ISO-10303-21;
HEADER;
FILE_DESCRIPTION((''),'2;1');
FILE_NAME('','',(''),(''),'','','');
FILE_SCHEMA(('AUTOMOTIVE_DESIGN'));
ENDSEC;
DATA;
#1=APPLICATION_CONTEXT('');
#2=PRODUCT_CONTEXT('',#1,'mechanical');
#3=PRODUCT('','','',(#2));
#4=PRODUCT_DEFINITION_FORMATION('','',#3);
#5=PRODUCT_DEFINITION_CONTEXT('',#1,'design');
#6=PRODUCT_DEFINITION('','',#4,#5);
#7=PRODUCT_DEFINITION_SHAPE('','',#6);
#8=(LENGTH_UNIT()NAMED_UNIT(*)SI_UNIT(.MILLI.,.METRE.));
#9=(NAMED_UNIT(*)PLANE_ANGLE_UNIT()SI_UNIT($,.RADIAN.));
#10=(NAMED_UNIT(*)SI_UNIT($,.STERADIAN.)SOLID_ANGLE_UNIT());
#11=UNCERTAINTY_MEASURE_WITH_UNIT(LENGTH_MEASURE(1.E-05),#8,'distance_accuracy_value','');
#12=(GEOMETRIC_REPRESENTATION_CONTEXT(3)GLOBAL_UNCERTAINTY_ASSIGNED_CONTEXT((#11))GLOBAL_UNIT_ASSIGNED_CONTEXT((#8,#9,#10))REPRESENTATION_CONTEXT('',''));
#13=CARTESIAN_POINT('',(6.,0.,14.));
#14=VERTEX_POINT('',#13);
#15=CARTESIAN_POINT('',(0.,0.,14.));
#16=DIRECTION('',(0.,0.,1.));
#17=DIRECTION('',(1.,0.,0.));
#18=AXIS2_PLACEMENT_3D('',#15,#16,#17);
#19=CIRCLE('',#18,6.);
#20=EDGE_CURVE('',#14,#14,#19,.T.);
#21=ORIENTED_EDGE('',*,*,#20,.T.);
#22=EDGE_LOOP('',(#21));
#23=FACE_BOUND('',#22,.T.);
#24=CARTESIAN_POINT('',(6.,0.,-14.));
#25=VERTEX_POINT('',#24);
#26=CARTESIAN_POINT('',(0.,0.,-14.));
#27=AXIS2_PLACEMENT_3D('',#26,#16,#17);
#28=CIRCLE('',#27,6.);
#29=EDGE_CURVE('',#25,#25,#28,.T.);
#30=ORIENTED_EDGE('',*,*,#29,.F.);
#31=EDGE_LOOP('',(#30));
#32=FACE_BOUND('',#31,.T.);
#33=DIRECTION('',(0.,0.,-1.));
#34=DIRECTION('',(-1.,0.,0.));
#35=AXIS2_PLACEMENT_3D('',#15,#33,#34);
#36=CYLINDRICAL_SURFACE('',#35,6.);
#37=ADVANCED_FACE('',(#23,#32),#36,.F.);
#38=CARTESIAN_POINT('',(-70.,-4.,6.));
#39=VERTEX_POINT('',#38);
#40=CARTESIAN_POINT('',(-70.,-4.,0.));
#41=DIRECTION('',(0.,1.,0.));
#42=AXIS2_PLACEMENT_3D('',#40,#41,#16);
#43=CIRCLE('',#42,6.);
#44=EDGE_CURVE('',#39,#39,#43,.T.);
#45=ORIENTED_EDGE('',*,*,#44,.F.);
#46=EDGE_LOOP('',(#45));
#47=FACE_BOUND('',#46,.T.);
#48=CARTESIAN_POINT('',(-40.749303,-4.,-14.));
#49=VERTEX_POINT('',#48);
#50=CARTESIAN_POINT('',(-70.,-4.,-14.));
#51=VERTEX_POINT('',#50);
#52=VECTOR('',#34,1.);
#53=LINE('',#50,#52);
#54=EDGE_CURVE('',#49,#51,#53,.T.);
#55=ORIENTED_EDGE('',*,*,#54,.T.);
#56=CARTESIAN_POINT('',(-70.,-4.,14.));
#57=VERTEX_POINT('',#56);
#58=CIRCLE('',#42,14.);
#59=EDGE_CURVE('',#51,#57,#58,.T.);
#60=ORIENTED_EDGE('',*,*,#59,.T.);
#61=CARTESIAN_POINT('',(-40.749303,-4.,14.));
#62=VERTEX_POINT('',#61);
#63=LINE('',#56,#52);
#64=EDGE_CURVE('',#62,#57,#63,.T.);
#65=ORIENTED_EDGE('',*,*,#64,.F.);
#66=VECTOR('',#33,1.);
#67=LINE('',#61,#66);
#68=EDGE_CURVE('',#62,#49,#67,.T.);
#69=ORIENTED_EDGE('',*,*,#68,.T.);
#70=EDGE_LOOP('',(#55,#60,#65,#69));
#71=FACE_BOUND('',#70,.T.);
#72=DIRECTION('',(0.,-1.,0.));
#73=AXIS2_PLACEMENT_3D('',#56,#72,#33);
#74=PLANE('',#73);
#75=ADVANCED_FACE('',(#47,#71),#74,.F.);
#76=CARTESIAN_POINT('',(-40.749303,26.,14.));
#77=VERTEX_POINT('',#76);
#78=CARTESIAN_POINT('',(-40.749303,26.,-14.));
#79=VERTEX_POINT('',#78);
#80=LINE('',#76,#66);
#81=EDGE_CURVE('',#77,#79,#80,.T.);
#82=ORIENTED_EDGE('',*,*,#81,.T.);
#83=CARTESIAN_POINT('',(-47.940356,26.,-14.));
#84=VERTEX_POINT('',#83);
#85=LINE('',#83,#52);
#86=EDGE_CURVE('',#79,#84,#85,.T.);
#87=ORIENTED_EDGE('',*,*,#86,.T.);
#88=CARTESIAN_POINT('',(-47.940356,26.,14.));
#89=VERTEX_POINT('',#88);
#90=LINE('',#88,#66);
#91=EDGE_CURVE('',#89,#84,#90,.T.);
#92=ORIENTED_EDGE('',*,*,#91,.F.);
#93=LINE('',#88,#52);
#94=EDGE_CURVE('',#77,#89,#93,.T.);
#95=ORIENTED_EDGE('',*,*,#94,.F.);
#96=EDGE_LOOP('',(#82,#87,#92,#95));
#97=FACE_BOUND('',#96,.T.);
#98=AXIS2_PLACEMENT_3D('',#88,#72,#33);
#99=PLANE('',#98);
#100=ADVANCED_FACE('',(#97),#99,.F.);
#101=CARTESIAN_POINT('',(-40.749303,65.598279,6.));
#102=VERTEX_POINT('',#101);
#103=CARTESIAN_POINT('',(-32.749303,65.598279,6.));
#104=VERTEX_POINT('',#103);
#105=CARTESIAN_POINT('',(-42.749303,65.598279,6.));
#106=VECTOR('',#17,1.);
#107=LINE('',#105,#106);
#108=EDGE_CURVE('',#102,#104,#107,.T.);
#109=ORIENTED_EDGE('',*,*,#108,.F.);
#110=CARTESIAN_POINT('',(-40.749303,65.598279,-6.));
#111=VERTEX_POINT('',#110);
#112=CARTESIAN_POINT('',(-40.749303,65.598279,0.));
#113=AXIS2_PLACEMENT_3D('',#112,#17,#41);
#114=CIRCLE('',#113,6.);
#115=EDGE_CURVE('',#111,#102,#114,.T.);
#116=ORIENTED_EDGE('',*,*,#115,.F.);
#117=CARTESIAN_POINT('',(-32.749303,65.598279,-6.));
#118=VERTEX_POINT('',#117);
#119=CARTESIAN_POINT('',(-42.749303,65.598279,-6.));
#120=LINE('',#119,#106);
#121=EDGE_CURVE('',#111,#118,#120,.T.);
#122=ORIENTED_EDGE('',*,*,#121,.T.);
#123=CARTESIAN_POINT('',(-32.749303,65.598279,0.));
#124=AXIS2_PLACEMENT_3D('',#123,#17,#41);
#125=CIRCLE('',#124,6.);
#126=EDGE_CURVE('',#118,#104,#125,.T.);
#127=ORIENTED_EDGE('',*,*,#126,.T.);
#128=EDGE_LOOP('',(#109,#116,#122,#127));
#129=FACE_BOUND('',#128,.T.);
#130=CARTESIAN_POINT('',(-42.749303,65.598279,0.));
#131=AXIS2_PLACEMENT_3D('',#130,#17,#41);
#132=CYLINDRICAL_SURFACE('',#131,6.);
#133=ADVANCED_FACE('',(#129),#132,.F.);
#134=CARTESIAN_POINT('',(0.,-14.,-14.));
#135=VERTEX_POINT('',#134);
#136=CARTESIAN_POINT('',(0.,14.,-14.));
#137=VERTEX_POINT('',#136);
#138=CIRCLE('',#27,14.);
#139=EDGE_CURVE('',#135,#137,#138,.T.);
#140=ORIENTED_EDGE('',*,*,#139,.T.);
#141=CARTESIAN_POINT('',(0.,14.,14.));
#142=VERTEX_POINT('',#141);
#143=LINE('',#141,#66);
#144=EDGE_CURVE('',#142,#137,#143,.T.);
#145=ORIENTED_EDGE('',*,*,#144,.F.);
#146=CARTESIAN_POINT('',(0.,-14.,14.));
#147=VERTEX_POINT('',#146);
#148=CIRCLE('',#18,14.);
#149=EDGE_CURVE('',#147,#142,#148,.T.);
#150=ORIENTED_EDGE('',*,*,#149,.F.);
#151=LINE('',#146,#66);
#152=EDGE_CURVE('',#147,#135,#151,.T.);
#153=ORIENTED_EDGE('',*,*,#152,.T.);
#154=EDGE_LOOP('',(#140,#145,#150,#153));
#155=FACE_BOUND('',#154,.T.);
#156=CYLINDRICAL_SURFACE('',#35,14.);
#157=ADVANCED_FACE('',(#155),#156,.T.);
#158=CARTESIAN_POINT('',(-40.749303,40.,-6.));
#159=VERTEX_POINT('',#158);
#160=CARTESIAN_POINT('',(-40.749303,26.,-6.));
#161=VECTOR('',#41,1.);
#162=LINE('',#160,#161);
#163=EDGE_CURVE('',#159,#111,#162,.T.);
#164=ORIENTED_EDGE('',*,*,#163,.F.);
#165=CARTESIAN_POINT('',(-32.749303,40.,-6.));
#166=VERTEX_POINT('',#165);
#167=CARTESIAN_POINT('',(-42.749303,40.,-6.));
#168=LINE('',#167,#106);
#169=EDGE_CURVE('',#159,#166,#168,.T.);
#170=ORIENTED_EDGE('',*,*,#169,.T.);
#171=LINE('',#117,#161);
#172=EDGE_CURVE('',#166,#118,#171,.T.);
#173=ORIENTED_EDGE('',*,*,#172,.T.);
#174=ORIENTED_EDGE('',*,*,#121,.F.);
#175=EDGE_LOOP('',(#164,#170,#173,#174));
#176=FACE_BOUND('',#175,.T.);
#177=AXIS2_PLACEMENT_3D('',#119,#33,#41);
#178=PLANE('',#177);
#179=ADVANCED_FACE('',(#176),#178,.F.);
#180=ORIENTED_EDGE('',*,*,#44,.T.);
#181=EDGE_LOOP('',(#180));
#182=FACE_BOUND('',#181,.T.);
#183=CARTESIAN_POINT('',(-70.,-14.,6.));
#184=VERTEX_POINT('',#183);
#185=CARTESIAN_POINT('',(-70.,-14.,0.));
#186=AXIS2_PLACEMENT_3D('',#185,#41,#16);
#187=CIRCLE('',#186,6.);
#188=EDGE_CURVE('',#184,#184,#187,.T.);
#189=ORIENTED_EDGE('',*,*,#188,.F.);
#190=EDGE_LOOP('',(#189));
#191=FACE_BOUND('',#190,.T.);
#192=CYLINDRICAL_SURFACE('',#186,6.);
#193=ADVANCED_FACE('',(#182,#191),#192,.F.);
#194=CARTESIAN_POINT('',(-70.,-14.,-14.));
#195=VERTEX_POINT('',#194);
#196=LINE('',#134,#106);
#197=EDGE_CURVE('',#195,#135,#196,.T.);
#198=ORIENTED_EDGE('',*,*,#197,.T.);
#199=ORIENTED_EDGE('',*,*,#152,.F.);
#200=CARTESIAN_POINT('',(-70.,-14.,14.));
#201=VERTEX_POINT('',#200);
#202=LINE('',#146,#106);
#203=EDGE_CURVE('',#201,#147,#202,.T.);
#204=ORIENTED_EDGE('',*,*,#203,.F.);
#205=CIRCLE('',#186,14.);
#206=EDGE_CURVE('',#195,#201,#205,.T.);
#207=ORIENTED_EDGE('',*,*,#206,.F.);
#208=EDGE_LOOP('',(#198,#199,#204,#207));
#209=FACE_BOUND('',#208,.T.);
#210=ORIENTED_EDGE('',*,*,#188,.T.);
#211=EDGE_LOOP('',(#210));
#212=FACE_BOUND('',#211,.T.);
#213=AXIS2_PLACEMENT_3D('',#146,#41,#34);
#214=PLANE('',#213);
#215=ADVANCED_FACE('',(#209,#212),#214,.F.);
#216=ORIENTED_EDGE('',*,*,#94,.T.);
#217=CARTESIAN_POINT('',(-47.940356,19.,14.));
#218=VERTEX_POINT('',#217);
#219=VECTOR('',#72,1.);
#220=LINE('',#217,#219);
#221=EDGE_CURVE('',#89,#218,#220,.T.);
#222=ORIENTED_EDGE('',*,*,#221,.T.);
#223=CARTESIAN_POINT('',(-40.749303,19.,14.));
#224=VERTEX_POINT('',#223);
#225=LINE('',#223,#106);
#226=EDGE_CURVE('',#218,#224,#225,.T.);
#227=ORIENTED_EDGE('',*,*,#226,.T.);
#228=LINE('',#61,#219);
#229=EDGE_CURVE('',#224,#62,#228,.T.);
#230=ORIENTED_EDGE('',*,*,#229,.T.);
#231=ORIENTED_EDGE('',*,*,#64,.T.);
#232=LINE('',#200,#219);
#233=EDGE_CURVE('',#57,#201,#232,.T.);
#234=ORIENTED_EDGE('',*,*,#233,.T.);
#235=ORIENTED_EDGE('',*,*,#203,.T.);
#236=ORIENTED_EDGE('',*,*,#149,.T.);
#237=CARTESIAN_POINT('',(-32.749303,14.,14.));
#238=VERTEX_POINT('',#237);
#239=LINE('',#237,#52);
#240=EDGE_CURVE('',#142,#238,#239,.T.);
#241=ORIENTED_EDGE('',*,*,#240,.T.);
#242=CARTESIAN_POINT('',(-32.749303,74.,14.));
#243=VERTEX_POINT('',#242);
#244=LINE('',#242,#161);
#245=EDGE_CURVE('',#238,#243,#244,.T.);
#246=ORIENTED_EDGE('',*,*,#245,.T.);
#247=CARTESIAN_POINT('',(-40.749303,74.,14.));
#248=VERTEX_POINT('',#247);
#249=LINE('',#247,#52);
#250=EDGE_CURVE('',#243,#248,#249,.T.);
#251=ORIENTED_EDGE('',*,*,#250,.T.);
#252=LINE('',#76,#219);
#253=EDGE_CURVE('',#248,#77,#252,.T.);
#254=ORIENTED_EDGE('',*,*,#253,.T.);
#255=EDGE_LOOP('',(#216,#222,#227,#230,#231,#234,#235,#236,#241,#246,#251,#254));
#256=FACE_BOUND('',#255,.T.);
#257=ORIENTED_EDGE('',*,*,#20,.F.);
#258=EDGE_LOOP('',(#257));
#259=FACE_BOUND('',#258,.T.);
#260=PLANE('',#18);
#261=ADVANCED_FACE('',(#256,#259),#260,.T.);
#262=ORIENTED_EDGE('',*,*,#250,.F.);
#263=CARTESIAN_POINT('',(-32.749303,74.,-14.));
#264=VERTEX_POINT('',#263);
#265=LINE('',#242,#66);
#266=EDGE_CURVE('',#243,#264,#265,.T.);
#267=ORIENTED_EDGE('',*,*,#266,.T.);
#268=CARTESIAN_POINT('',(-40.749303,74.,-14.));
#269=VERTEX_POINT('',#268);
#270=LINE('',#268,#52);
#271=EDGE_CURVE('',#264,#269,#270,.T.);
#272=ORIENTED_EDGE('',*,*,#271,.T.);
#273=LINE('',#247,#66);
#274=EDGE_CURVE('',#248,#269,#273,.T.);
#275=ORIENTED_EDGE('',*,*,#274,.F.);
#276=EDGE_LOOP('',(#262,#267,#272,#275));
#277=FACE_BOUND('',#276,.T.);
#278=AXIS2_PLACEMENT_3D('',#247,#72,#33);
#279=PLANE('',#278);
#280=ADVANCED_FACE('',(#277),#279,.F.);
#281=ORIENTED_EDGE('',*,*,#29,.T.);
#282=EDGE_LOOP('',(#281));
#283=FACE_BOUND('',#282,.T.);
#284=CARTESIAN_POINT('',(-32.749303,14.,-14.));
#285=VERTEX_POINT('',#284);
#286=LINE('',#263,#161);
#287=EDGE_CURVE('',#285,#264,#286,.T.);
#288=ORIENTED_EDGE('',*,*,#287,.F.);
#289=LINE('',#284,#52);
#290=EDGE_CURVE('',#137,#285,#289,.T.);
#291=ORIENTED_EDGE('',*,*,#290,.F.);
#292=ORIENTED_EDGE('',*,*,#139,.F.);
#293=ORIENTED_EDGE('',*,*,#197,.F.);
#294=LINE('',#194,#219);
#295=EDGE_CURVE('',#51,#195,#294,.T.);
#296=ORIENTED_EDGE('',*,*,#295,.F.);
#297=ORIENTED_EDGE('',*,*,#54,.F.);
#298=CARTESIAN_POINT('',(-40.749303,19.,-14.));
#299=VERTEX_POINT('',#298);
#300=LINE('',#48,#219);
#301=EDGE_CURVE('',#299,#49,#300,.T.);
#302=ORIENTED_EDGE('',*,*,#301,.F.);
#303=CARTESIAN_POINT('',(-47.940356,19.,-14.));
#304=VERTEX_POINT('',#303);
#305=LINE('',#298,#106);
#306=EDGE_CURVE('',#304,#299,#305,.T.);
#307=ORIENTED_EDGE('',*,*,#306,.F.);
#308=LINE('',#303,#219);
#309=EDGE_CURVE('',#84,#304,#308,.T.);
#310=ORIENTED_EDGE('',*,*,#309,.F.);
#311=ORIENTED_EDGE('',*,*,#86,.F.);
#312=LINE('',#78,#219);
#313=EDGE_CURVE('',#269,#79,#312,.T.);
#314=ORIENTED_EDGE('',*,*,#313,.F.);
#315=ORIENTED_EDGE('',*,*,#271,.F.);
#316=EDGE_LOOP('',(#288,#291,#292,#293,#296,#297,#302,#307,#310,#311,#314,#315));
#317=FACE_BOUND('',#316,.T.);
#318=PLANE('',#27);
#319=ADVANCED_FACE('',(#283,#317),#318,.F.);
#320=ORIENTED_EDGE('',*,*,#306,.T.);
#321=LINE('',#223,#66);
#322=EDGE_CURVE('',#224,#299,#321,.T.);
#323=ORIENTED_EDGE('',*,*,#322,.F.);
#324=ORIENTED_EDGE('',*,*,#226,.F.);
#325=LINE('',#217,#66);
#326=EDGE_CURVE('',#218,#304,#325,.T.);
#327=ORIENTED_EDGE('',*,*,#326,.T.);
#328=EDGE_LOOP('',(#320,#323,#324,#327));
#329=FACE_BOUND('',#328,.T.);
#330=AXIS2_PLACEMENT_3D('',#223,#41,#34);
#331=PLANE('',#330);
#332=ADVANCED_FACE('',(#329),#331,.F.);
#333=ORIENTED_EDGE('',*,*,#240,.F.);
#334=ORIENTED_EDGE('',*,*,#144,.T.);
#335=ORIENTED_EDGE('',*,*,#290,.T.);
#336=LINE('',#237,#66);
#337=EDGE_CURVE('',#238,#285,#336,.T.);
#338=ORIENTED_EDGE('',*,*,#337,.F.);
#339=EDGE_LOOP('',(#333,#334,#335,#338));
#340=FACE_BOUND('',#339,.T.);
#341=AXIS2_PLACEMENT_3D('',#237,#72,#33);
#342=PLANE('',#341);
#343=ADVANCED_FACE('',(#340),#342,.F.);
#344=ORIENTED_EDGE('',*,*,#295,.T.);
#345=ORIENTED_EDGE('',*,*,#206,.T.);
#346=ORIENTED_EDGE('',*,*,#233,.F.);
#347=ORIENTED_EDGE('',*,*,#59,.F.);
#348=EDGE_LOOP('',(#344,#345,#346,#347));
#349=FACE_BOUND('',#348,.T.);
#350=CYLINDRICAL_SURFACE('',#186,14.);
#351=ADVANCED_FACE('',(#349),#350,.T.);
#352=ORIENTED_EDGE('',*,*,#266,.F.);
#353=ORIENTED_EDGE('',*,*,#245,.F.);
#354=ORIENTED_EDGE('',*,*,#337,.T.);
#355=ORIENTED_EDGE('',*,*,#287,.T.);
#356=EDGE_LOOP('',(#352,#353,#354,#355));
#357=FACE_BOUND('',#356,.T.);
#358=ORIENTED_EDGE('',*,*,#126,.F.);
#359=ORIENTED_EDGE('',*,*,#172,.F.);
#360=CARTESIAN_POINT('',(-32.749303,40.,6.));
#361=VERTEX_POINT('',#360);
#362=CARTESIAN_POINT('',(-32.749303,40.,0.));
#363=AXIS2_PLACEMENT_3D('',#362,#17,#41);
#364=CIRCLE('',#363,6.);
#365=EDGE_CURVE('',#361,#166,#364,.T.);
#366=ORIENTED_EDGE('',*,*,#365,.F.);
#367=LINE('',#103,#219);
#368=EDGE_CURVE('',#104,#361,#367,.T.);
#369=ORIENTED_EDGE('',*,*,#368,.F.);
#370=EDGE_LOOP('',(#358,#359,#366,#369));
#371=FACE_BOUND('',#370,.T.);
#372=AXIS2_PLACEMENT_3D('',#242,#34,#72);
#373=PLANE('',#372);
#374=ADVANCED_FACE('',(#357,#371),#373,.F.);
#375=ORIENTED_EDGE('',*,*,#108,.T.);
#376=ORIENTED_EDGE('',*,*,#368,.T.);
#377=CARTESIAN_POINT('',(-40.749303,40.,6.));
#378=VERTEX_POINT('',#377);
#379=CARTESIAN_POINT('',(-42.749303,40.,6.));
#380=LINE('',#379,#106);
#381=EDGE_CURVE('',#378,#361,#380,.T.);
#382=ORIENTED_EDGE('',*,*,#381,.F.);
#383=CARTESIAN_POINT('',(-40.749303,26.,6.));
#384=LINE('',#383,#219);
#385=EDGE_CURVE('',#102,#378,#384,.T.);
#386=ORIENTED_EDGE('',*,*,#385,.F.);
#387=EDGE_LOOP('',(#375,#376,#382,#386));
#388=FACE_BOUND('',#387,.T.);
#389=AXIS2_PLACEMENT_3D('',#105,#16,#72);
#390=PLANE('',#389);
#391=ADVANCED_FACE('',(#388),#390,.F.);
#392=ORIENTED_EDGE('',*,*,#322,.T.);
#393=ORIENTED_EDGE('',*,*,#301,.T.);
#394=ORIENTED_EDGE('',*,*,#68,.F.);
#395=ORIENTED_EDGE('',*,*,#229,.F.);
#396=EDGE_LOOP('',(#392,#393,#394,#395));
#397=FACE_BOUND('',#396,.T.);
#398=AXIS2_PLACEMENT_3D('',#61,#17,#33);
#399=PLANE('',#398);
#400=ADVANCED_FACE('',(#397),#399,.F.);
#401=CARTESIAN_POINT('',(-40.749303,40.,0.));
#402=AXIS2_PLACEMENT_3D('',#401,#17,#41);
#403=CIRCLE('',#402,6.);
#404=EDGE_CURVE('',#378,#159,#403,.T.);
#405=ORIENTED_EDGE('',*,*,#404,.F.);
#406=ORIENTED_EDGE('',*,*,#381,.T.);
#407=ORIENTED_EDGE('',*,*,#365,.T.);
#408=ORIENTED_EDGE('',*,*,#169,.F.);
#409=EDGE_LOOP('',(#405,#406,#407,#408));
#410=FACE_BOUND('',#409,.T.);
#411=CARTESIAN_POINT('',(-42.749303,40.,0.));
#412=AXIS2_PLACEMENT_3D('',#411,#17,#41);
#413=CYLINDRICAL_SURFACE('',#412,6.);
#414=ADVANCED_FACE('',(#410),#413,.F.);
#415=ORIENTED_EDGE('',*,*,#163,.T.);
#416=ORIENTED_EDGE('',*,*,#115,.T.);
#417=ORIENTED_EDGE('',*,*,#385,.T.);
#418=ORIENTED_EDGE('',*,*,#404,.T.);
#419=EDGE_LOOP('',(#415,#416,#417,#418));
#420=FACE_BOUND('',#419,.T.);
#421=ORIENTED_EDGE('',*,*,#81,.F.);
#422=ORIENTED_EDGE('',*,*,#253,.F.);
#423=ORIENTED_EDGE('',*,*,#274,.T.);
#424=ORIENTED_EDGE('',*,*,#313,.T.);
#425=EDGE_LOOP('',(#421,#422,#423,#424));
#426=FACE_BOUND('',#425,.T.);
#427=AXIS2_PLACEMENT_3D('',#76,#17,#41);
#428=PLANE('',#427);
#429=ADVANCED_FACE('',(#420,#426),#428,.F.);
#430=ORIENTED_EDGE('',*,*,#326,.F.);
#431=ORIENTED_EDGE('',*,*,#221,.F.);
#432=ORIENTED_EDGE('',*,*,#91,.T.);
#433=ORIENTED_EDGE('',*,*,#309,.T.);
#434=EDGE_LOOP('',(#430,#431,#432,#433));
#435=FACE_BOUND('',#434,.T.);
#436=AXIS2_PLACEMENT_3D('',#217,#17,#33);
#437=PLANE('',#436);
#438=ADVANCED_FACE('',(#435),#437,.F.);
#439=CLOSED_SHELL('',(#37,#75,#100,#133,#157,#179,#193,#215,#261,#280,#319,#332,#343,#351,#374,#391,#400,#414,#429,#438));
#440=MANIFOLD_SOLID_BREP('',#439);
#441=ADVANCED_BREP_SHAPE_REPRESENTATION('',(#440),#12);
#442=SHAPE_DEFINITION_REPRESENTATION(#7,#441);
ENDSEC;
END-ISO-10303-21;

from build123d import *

# Parameters (mm, degrees)
SKETCH1_R           = 6
BOSS_EXTRUDE1_DEPTH = 14
BOSS_EXTRUDE3_DEPTH = 10
SKETCH4_R           = 6
CUT_EXTRUDE1_DEPTH  = 10
CUT_EXTRUDE2_DEPTH  = 10


with BuildPart() as part:
    # Sketch1 → Boss-Extrude1 (new body, symmetric)
    with BuildSketch(Plane.XY):
        with BuildLine():
            Line((0, -14), (-70, -14))
            Line((-70, -14), (-70, -4))
            Line((-70, -4), (-40.749302813, -4))
            Line((-40.749302813, -4), (-40.749302813, 19))
            Line((-40.749302813, 19), (-47.94035625, 19))
            Line((-47.94035625, 19), (-47.94035625, 26))
            Line((-47.94035625, 26), (-40.749302813, 26))
            Line((-40.749302813, 26), (-40.749302813, 74))
            Line((-40.749302813, 74), (-32.749302813, 74))
            Line((-32.749302813, 74), (-32.749302813, 14))
            Line((-32.749302813, 14), (0, 14))
            ThreePointArc((0, 14), (14, 0), (0, -14))
        make_face()
        Circle(SKETCH1_R, mode=Mode.SUBTRACT)
    extrude(amount=BOSS_EXTRUDE1_DEPTH, both=True)

    # Sketch3 → Boss-Extrude3 (add)
    with BuildSketch(Plane(origin=(0, -4, 0), x_dir=(1, 0, 0), z_dir=(0, 1, 0))):
        with BuildLine():
            Line((-70, -14), (-70, 14))
            ThreePointArc((-70, 14), (-84, 0), (-70, -14))
        make_face()
    extrude(amount=-BOSS_EXTRUDE3_DEPTH)

    # Sketch4 → Cut-Extrude1 (cut)
    with BuildSketch(Plane(origin=(0, -4, 0), x_dir=(1, 0, 0), z_dir=(0, 1, 0))):
        with Locations((-70, 0)):
            Circle(SKETCH4_R)
    extrude(amount=-CUT_EXTRUDE1_DEPTH, mode=Mode.SUBTRACT)

    # Sketch5 → Cut-Extrude2 (cut)
    with BuildSketch(Plane(origin=(-32.749302813, 0, 0), x_dir=(0, 0, -1), z_dir=(1, 0, 0))):
        with BuildLine():
            Line((-6, 65.598278873), (-6, 40))
            ThreePointArc((-6, 40), (0, 34), (6, 40))
            Line((6, 40), (6, 65.598278873))
            ThreePointArc((6, 65.598278873), (0, 71.598278873), (-6, 65.598278873))
        make_face()
    extrude(amount=-CUT_EXTRUDE2_DEPTH, mode=Mode.SUBTRACT)


solid = part.part
